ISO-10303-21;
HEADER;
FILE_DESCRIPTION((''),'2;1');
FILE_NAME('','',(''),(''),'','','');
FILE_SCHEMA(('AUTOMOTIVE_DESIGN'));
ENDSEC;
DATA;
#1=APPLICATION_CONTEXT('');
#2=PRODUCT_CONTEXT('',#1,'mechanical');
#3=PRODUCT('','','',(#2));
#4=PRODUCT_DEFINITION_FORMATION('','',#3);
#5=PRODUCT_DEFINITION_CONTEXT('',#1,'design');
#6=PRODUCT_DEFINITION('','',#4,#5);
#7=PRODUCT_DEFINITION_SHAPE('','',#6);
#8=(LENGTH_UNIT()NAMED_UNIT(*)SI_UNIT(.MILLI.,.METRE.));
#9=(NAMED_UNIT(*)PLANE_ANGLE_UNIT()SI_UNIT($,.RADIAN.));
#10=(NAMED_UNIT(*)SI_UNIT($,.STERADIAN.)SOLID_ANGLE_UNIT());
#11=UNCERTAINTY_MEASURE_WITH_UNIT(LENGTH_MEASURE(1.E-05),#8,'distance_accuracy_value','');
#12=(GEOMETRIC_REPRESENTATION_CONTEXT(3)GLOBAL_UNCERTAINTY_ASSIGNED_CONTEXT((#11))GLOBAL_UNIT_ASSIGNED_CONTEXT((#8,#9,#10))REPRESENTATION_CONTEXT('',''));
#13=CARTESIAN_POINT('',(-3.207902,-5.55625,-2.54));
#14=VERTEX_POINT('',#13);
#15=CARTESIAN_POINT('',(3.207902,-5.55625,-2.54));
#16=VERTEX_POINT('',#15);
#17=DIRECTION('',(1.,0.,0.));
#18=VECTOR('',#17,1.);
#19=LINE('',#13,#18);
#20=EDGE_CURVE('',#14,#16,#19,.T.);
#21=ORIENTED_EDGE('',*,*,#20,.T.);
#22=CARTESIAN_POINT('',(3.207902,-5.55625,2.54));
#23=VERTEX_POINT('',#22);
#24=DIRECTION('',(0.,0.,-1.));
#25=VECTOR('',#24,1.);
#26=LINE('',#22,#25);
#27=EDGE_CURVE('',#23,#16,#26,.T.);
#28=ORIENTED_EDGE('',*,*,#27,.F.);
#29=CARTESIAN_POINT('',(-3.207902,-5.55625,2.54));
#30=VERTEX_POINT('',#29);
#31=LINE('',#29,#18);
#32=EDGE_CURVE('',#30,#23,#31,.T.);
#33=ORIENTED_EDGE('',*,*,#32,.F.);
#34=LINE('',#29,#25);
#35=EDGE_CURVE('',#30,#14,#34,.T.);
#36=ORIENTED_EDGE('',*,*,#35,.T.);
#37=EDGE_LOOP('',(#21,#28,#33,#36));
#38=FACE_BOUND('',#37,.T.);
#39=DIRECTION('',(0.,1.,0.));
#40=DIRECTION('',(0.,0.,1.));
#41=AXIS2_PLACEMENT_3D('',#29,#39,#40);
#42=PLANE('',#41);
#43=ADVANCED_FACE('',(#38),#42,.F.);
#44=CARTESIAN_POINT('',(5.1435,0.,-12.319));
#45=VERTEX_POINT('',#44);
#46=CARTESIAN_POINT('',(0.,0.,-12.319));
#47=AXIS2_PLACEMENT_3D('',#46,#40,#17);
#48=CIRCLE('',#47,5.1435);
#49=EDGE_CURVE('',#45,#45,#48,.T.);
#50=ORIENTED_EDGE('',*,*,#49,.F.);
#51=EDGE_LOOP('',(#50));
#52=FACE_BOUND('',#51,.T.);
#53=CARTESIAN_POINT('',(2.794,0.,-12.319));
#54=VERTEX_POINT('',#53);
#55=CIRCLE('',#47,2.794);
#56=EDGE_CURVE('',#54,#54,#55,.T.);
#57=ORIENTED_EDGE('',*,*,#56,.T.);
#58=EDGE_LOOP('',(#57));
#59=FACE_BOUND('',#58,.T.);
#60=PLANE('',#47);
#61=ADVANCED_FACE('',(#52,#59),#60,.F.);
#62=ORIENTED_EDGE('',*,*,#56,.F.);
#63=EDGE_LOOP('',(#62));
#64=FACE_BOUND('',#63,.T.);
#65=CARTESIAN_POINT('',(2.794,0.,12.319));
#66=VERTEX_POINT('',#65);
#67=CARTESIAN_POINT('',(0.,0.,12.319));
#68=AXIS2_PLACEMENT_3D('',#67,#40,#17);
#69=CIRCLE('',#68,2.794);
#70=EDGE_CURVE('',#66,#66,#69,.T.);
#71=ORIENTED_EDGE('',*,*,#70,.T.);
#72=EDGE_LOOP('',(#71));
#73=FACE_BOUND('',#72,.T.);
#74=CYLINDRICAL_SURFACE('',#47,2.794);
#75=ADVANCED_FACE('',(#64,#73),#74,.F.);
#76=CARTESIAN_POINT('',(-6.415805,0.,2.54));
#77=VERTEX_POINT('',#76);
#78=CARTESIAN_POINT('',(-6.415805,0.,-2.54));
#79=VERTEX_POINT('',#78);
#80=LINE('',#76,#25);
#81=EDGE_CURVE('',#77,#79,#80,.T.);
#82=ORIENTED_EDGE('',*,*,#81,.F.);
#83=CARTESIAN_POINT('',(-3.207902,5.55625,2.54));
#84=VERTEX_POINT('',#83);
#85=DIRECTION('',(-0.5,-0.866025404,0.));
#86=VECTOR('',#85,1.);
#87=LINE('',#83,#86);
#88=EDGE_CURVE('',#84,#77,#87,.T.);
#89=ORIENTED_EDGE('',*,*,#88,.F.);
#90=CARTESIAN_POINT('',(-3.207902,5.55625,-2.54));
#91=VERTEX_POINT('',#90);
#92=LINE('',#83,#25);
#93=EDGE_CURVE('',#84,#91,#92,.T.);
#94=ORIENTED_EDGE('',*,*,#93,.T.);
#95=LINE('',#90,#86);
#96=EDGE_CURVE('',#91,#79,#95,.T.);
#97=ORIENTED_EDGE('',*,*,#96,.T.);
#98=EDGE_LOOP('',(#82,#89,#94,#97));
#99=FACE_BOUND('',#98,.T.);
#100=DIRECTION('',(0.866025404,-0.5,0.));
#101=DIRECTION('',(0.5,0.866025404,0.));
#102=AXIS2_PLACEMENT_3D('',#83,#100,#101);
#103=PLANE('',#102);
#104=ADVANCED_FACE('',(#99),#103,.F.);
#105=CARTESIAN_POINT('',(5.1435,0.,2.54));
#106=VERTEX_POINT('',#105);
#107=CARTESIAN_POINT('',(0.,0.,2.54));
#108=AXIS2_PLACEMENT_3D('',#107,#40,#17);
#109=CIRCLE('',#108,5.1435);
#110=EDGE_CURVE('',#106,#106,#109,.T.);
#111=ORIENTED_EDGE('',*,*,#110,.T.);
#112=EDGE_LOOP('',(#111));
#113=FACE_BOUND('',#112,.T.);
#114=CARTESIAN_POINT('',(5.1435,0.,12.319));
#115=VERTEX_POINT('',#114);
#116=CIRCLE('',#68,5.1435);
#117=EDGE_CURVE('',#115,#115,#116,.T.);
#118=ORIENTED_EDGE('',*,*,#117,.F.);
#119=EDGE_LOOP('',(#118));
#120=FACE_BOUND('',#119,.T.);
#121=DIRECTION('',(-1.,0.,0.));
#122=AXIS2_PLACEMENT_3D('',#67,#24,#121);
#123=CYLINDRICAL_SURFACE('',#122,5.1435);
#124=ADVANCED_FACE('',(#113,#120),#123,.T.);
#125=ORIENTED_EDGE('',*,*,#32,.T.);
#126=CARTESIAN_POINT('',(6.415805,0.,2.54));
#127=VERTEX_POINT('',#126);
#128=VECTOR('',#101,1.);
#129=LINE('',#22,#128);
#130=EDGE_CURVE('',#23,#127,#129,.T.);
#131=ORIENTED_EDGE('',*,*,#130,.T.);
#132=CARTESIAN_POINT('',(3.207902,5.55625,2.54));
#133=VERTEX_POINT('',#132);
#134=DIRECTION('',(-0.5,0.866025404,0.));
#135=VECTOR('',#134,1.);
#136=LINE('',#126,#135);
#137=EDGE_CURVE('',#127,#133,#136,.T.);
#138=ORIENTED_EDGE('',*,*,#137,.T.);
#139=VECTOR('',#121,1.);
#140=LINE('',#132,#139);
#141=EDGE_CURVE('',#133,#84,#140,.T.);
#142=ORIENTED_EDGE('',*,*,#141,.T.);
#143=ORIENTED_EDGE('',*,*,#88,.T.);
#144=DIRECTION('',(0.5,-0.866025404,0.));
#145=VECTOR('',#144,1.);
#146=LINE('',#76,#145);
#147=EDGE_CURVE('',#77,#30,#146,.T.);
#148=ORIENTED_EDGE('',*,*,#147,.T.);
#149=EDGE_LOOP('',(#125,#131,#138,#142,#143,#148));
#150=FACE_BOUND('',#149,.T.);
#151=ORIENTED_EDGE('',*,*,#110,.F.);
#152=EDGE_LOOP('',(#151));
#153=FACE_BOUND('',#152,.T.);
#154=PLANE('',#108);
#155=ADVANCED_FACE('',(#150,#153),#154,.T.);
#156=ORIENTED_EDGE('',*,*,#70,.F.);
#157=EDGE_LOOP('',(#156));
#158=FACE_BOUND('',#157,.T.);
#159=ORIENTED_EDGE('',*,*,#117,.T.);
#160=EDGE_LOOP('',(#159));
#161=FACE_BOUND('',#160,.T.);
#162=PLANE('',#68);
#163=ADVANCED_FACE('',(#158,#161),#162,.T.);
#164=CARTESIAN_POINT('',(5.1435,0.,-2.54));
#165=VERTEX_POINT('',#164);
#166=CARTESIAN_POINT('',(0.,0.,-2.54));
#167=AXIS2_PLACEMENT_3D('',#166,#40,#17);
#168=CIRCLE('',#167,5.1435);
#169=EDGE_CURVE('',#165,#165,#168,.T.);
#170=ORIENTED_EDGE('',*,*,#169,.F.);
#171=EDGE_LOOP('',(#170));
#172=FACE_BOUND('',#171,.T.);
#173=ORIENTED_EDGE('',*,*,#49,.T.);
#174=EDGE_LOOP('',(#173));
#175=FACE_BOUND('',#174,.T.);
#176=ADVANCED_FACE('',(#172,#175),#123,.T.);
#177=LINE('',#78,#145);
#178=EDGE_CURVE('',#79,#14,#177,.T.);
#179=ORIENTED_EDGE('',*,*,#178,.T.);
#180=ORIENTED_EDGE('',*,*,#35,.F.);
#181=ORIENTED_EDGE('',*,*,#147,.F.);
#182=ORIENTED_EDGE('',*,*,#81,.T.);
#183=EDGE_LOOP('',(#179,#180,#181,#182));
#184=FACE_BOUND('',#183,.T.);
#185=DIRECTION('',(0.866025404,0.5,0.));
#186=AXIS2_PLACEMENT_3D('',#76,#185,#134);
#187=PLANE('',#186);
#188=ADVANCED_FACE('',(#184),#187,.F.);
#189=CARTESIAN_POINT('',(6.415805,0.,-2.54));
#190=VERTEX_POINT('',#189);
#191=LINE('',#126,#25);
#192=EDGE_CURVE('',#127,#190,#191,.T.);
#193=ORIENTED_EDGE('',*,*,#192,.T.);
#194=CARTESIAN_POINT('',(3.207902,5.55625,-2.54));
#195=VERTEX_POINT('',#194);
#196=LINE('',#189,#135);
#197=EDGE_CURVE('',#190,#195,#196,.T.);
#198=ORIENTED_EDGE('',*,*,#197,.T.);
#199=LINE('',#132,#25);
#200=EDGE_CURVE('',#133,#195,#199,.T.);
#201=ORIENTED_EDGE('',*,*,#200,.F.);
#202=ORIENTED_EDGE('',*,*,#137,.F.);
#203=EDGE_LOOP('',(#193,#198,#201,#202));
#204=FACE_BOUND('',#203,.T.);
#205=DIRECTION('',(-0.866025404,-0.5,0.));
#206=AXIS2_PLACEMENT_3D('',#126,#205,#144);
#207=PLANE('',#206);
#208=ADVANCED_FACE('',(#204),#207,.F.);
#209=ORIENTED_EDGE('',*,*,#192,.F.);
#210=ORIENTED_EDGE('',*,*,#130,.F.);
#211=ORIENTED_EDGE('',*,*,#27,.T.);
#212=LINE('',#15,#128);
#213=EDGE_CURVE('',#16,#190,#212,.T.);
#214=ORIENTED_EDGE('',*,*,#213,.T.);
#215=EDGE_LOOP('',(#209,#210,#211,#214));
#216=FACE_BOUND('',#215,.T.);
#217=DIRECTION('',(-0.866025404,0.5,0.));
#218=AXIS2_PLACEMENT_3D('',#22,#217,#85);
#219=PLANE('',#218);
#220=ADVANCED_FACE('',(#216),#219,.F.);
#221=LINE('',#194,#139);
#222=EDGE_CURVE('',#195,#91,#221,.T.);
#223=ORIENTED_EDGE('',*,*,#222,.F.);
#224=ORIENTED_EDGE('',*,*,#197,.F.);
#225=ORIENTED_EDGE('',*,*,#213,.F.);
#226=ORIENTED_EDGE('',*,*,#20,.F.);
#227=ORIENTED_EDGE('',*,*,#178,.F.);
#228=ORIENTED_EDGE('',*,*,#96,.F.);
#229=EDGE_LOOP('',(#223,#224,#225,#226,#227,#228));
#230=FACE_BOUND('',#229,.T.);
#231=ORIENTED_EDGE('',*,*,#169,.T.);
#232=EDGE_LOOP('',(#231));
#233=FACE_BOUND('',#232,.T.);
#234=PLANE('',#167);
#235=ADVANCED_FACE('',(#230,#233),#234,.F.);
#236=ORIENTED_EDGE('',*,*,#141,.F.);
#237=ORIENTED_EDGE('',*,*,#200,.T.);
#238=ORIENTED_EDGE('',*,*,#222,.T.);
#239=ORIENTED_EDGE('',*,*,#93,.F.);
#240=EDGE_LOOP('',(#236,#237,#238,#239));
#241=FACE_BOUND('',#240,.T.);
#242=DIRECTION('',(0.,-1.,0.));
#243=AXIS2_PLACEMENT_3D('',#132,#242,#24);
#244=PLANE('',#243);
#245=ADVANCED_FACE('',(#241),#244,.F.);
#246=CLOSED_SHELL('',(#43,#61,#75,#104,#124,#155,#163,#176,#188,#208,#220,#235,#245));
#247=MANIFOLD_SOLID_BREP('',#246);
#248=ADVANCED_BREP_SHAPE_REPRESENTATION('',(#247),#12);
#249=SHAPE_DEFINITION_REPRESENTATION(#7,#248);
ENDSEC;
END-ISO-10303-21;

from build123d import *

# Parameters (mm, degrees)
SKETCH2_R           = 5.1435
BOSS_EXTRUDE1_DEPTH = 12.319
SKETCH3_R           = 2.794
CUT_EXTRUDE1_DEPTH  = 25.638
BOSS_EXTRUDE2_DEPTH = 2.54
SKETCH3_2_R         = 2.794
CUT_EXTRUDE2_DEPTH  = 25.638


with BuildPart() as part:
    # Sketch2 → Boss-Extrude1 (new body, symmetric)
    with BuildSketch(Plane.XY):
        Circle(SKETCH2_R)
    extrude(amount=BOSS_EXTRUDE1_DEPTH, both=True)

    # Sketch3 → Cut-Extrude1 (cut, through all)
    with BuildSketch(Plane.XY.offset(12.319)):
        Circle(SKETCH3_R)
    extrude(amount=-CUT_EXTRUDE1_DEPTH, mode=Mode.SUBTRACT)

    # Sketch4 → Boss-Extrude2 (add, symmetric)
    with BuildSketch(Plane.XY):
        Polygon((3.207902433, 5.55625), (-3.207902433, 5.55625), (-6.415804866, 0), (-3.207902433, -5.55625), (3.207902433, -5.55625), (6.415804866, 0), align=None)
    extrude(amount=BOSS_EXTRUDE2_DEPTH, both=True)

    # Sketch3<2> → Cut-Extrude2 (cut, through all)
    with BuildSketch(Plane.XY.offset(12.319)):
        Circle(SKETCH3_2_R)
    extrude(amount=-CUT_EXTRUDE2_DEPTH, mode=Mode.SUBTRACT)


solid = part.part
